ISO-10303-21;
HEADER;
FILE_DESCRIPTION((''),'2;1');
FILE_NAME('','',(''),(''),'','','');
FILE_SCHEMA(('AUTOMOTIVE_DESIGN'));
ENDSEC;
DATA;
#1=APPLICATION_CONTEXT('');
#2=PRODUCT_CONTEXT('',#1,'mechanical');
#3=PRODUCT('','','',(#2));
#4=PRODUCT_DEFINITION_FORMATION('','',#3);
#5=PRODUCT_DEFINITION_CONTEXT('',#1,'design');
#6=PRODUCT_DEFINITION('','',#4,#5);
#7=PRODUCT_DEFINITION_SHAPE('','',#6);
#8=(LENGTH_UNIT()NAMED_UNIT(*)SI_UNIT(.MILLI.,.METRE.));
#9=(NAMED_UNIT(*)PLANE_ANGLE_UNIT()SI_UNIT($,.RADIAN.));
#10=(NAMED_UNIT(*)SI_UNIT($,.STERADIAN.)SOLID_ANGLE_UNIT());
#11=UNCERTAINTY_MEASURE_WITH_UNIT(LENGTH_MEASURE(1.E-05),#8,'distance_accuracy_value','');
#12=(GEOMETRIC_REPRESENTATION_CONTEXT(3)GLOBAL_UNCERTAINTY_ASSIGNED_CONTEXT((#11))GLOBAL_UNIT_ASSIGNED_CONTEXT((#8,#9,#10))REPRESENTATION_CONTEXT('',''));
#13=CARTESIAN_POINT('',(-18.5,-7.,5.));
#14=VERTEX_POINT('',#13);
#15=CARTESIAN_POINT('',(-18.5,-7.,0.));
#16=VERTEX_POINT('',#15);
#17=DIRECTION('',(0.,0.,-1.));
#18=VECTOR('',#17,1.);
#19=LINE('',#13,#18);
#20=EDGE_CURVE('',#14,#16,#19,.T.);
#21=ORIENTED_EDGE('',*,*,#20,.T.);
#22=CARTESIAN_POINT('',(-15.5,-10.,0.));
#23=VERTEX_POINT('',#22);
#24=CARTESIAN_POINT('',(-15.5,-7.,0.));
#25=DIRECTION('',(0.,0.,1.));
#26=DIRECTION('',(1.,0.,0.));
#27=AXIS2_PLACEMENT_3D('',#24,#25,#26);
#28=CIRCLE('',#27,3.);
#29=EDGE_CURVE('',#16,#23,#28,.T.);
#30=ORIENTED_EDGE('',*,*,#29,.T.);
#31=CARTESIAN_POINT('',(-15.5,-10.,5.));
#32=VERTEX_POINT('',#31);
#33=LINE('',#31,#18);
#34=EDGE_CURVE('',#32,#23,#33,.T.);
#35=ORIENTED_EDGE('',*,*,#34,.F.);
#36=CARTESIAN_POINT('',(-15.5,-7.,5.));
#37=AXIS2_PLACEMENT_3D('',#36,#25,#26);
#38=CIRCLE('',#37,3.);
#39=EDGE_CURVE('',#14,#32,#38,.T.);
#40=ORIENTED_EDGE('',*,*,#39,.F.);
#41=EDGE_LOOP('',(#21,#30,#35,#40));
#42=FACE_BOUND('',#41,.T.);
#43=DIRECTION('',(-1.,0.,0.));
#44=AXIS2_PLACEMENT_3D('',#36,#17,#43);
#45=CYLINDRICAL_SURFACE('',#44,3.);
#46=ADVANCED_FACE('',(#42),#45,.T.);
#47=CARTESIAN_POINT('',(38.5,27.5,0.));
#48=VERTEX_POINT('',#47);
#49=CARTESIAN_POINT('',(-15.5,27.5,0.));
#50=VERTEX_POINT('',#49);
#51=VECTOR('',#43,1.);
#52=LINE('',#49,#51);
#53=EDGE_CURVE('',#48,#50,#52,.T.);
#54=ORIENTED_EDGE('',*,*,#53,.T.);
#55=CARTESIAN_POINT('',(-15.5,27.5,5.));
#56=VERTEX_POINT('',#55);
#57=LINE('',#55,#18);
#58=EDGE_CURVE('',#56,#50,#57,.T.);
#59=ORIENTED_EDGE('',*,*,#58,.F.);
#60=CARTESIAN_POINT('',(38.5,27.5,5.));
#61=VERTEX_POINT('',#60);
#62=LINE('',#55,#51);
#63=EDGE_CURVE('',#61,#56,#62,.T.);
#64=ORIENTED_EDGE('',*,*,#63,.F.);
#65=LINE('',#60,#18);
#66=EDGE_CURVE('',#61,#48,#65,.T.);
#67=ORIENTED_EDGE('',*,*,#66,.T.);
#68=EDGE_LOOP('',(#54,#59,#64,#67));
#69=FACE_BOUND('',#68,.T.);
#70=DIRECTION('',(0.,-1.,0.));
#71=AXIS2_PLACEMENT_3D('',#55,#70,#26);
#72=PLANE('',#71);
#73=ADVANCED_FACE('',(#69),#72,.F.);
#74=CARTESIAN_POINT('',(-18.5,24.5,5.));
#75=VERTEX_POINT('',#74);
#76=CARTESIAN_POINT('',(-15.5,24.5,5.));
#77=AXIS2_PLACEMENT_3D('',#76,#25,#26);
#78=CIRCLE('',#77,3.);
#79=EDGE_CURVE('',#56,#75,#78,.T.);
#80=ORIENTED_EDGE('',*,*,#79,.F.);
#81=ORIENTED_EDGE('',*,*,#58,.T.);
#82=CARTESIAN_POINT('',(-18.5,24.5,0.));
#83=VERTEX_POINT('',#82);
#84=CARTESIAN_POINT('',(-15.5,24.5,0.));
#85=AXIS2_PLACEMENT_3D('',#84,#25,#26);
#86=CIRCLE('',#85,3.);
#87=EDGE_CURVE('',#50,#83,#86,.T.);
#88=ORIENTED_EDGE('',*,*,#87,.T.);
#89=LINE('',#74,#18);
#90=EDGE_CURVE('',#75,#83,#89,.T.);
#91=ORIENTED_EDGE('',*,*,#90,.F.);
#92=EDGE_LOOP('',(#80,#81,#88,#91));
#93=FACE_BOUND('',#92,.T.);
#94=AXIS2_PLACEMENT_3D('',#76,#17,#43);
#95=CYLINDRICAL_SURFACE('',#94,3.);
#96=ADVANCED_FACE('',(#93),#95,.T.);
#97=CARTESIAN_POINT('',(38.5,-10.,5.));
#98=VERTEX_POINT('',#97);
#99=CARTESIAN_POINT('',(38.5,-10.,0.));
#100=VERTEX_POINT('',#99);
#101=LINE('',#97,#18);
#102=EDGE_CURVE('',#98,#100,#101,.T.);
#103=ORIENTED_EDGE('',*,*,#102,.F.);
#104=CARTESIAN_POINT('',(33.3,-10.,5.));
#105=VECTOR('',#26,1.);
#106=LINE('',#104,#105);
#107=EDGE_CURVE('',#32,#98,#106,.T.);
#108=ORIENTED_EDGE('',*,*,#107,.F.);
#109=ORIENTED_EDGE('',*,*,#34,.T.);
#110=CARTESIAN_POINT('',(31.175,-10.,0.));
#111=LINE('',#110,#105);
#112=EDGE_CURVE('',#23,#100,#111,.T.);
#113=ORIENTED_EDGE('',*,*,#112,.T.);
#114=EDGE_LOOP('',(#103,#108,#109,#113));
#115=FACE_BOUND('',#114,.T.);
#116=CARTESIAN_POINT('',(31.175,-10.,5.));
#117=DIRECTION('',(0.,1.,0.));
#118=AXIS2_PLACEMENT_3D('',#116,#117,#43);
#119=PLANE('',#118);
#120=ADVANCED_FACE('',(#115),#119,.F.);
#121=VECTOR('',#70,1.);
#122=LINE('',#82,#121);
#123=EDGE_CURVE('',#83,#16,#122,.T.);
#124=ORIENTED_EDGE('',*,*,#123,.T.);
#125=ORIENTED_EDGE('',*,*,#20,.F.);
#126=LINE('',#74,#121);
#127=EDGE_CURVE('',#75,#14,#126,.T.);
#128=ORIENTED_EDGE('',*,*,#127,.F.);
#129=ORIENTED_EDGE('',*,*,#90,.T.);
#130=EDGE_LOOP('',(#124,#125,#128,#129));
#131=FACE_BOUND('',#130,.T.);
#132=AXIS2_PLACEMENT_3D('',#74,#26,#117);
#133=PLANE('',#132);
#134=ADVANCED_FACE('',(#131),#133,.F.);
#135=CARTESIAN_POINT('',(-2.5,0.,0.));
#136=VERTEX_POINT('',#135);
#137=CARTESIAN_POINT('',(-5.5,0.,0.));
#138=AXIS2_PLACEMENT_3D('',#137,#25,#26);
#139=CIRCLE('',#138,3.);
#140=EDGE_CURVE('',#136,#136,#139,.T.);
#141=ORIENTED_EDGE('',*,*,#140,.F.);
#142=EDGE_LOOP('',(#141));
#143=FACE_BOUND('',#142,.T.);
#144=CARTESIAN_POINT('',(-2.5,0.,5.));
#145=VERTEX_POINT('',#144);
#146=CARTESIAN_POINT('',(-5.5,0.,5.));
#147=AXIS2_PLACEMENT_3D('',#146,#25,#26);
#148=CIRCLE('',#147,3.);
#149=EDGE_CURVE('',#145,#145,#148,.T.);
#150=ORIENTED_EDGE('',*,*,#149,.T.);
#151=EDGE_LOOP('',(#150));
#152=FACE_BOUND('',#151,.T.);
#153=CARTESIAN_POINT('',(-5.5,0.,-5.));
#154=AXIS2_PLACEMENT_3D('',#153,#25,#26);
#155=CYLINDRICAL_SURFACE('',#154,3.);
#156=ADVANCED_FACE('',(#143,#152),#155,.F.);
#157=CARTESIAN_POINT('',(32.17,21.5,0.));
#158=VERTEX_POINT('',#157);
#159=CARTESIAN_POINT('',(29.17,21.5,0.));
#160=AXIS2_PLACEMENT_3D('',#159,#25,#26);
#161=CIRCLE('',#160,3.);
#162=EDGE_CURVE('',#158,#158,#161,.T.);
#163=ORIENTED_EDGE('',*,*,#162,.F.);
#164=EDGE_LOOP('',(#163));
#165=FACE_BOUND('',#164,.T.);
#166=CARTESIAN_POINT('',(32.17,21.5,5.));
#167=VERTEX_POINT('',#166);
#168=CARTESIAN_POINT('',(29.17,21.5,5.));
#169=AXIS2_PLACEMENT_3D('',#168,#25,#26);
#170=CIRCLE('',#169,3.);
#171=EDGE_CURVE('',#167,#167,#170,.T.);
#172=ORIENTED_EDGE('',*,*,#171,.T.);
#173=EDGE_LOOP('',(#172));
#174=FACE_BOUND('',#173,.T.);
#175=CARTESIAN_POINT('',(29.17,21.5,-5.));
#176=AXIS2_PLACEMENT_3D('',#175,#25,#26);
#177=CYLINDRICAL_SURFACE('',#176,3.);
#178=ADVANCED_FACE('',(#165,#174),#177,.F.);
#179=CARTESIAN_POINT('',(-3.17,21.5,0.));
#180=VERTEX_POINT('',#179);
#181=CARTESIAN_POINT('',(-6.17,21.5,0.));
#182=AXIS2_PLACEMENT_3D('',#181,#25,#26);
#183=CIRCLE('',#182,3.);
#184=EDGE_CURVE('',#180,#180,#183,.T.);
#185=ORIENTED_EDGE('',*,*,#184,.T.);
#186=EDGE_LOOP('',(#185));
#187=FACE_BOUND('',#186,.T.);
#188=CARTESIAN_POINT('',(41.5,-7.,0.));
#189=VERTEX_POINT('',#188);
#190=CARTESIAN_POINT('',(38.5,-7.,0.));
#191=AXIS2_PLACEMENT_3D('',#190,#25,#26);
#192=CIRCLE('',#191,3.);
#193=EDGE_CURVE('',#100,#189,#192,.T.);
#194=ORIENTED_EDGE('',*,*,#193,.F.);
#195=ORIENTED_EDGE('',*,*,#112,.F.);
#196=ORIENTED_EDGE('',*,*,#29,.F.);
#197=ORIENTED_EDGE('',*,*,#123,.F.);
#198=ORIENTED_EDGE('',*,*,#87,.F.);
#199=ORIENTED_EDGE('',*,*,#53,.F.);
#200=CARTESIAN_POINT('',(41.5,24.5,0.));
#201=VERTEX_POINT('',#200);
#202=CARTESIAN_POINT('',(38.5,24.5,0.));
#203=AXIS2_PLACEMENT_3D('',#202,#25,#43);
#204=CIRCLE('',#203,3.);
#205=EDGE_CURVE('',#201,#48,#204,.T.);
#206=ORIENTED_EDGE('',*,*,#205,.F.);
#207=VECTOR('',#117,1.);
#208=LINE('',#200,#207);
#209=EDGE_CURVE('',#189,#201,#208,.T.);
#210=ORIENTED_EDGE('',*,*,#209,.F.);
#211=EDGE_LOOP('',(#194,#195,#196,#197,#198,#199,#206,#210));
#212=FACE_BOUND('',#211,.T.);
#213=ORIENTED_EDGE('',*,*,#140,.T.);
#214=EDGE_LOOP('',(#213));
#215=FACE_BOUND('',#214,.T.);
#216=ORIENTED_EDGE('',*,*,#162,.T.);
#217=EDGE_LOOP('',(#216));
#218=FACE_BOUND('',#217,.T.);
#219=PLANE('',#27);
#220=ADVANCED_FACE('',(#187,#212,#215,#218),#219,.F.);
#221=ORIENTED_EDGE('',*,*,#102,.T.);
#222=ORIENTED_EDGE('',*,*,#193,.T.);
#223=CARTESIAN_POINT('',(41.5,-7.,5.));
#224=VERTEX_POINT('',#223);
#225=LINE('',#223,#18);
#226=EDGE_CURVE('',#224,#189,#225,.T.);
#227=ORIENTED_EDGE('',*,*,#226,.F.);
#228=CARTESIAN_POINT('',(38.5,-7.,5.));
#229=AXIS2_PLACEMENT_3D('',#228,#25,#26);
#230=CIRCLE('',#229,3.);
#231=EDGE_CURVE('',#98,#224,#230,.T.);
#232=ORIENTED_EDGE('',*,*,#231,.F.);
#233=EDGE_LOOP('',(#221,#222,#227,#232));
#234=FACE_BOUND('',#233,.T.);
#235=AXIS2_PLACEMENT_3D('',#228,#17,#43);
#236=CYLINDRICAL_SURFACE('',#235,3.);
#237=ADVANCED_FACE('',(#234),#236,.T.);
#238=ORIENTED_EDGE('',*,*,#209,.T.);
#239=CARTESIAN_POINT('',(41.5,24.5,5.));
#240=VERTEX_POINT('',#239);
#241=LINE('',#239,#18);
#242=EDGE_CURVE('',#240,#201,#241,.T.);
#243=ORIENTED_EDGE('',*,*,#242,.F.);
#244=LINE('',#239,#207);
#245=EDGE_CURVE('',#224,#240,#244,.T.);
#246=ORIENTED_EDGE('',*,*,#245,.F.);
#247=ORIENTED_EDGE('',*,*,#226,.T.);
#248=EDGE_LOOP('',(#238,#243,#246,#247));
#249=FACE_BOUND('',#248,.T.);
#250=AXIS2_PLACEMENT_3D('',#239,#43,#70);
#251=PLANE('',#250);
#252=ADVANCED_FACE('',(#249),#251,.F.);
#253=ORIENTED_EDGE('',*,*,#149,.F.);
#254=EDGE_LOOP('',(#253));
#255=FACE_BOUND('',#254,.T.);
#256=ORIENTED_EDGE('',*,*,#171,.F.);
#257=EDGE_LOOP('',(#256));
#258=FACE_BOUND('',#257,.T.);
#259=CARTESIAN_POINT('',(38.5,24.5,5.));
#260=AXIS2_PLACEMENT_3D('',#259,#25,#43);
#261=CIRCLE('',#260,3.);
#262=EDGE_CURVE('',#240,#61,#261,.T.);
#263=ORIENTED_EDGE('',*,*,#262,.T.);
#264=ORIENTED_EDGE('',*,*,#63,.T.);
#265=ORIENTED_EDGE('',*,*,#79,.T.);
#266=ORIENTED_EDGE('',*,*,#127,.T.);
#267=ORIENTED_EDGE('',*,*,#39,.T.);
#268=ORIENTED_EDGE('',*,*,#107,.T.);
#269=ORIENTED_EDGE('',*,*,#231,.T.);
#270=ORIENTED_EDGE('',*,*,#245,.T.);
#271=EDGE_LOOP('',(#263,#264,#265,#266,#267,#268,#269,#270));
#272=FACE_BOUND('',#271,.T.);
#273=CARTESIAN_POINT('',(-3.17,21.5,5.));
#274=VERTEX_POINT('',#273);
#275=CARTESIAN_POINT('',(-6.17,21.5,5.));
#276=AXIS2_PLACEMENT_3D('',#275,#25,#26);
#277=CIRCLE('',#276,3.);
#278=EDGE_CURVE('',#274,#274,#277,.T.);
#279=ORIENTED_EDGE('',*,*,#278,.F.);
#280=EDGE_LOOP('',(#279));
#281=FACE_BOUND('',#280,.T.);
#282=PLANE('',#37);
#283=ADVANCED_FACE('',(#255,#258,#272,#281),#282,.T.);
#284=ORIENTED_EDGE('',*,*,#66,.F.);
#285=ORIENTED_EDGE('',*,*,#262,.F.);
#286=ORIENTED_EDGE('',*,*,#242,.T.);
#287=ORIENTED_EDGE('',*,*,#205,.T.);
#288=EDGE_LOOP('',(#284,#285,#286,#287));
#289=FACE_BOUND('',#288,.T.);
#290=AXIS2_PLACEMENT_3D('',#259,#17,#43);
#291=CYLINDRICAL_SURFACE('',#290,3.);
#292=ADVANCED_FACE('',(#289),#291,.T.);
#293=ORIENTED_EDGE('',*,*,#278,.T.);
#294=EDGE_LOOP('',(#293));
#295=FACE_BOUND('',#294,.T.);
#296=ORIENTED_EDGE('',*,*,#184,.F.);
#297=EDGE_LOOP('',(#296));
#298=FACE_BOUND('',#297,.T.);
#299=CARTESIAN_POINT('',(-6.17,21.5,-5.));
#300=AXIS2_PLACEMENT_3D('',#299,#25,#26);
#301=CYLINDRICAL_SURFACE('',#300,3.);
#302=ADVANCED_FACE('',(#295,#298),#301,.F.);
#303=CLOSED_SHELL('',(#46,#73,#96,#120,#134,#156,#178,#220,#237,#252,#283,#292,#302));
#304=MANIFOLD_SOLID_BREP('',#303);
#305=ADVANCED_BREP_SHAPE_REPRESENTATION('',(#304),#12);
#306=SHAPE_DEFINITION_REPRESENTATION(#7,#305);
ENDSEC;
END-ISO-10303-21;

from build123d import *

# Parameters (mm, degrees)
EXTRUDE_1_DEPTH     = 5
SKETCH_2_R          = 3
CUT_EXTRUDE_1_DEPTH = 10
SKETCH_4_R          = 3
CUT_EXTRUDE_2_DEPTH = 10


with BuildPart() as part:
    # 草图1 → 凸台-拉伸1 (new body)
    with BuildSketch(Plane.XY):
        with BuildLine():
            Line((-15.5, 27.5), (38.5, 27.5))
            ThreePointArc((38.5, 27.5), (40.621320344, 26.621320344), (41.5, 24.5))
            Line((41.5, 24.5), (41.5, -7))
            ThreePointArc((41.5, -7), (40.621320344, -9.121320344), (38.5, -10))
            Line((38.5, -10), (33.3, -10))
            Line((33.3, -10), (31.175, -10))
            Line((31.175, -10), (-8.825, -10))
            Line((-8.825, -10), (-15.5, -10))
            ThreePointArc((-15.5, -10), (-17.621320344, -9.121320344), (-18.5, -7))
            Line((-18.5, -7), (-18.5, 24.5))
            ThreePointArc((-18.5, 24.5), (-17.621320344, 26.621320344), (-15.5, 27.5))
        make_face()
    extrude(amount=EXTRUDE_1_DEPTH)

    # 草图2 → 切除-拉伸1 (cut)
    with BuildSketch(Plane.XY.offset(5)):
        with Locations((-6.17, 21.5)):
            Circle(SKETCH_2_R)
        with Locations((29.17, 21.5)):
            Circle(SKETCH_2_R)
    extrude(amount=-CUT_EXTRUDE_1_DEPTH, mode=Mode.SUBTRACT)

    # 草图4 → 切除-拉伸2 (cut)
    with BuildSketch(Plane.XY.offset(5)):
        with Locations((-5.5, 0)):
            Circle(SKETCH_4_R)
    extrude(amount=-CUT_EXTRUDE_2_DEPTH, mode=Mode.SUBTRACT)


solid = part.part
